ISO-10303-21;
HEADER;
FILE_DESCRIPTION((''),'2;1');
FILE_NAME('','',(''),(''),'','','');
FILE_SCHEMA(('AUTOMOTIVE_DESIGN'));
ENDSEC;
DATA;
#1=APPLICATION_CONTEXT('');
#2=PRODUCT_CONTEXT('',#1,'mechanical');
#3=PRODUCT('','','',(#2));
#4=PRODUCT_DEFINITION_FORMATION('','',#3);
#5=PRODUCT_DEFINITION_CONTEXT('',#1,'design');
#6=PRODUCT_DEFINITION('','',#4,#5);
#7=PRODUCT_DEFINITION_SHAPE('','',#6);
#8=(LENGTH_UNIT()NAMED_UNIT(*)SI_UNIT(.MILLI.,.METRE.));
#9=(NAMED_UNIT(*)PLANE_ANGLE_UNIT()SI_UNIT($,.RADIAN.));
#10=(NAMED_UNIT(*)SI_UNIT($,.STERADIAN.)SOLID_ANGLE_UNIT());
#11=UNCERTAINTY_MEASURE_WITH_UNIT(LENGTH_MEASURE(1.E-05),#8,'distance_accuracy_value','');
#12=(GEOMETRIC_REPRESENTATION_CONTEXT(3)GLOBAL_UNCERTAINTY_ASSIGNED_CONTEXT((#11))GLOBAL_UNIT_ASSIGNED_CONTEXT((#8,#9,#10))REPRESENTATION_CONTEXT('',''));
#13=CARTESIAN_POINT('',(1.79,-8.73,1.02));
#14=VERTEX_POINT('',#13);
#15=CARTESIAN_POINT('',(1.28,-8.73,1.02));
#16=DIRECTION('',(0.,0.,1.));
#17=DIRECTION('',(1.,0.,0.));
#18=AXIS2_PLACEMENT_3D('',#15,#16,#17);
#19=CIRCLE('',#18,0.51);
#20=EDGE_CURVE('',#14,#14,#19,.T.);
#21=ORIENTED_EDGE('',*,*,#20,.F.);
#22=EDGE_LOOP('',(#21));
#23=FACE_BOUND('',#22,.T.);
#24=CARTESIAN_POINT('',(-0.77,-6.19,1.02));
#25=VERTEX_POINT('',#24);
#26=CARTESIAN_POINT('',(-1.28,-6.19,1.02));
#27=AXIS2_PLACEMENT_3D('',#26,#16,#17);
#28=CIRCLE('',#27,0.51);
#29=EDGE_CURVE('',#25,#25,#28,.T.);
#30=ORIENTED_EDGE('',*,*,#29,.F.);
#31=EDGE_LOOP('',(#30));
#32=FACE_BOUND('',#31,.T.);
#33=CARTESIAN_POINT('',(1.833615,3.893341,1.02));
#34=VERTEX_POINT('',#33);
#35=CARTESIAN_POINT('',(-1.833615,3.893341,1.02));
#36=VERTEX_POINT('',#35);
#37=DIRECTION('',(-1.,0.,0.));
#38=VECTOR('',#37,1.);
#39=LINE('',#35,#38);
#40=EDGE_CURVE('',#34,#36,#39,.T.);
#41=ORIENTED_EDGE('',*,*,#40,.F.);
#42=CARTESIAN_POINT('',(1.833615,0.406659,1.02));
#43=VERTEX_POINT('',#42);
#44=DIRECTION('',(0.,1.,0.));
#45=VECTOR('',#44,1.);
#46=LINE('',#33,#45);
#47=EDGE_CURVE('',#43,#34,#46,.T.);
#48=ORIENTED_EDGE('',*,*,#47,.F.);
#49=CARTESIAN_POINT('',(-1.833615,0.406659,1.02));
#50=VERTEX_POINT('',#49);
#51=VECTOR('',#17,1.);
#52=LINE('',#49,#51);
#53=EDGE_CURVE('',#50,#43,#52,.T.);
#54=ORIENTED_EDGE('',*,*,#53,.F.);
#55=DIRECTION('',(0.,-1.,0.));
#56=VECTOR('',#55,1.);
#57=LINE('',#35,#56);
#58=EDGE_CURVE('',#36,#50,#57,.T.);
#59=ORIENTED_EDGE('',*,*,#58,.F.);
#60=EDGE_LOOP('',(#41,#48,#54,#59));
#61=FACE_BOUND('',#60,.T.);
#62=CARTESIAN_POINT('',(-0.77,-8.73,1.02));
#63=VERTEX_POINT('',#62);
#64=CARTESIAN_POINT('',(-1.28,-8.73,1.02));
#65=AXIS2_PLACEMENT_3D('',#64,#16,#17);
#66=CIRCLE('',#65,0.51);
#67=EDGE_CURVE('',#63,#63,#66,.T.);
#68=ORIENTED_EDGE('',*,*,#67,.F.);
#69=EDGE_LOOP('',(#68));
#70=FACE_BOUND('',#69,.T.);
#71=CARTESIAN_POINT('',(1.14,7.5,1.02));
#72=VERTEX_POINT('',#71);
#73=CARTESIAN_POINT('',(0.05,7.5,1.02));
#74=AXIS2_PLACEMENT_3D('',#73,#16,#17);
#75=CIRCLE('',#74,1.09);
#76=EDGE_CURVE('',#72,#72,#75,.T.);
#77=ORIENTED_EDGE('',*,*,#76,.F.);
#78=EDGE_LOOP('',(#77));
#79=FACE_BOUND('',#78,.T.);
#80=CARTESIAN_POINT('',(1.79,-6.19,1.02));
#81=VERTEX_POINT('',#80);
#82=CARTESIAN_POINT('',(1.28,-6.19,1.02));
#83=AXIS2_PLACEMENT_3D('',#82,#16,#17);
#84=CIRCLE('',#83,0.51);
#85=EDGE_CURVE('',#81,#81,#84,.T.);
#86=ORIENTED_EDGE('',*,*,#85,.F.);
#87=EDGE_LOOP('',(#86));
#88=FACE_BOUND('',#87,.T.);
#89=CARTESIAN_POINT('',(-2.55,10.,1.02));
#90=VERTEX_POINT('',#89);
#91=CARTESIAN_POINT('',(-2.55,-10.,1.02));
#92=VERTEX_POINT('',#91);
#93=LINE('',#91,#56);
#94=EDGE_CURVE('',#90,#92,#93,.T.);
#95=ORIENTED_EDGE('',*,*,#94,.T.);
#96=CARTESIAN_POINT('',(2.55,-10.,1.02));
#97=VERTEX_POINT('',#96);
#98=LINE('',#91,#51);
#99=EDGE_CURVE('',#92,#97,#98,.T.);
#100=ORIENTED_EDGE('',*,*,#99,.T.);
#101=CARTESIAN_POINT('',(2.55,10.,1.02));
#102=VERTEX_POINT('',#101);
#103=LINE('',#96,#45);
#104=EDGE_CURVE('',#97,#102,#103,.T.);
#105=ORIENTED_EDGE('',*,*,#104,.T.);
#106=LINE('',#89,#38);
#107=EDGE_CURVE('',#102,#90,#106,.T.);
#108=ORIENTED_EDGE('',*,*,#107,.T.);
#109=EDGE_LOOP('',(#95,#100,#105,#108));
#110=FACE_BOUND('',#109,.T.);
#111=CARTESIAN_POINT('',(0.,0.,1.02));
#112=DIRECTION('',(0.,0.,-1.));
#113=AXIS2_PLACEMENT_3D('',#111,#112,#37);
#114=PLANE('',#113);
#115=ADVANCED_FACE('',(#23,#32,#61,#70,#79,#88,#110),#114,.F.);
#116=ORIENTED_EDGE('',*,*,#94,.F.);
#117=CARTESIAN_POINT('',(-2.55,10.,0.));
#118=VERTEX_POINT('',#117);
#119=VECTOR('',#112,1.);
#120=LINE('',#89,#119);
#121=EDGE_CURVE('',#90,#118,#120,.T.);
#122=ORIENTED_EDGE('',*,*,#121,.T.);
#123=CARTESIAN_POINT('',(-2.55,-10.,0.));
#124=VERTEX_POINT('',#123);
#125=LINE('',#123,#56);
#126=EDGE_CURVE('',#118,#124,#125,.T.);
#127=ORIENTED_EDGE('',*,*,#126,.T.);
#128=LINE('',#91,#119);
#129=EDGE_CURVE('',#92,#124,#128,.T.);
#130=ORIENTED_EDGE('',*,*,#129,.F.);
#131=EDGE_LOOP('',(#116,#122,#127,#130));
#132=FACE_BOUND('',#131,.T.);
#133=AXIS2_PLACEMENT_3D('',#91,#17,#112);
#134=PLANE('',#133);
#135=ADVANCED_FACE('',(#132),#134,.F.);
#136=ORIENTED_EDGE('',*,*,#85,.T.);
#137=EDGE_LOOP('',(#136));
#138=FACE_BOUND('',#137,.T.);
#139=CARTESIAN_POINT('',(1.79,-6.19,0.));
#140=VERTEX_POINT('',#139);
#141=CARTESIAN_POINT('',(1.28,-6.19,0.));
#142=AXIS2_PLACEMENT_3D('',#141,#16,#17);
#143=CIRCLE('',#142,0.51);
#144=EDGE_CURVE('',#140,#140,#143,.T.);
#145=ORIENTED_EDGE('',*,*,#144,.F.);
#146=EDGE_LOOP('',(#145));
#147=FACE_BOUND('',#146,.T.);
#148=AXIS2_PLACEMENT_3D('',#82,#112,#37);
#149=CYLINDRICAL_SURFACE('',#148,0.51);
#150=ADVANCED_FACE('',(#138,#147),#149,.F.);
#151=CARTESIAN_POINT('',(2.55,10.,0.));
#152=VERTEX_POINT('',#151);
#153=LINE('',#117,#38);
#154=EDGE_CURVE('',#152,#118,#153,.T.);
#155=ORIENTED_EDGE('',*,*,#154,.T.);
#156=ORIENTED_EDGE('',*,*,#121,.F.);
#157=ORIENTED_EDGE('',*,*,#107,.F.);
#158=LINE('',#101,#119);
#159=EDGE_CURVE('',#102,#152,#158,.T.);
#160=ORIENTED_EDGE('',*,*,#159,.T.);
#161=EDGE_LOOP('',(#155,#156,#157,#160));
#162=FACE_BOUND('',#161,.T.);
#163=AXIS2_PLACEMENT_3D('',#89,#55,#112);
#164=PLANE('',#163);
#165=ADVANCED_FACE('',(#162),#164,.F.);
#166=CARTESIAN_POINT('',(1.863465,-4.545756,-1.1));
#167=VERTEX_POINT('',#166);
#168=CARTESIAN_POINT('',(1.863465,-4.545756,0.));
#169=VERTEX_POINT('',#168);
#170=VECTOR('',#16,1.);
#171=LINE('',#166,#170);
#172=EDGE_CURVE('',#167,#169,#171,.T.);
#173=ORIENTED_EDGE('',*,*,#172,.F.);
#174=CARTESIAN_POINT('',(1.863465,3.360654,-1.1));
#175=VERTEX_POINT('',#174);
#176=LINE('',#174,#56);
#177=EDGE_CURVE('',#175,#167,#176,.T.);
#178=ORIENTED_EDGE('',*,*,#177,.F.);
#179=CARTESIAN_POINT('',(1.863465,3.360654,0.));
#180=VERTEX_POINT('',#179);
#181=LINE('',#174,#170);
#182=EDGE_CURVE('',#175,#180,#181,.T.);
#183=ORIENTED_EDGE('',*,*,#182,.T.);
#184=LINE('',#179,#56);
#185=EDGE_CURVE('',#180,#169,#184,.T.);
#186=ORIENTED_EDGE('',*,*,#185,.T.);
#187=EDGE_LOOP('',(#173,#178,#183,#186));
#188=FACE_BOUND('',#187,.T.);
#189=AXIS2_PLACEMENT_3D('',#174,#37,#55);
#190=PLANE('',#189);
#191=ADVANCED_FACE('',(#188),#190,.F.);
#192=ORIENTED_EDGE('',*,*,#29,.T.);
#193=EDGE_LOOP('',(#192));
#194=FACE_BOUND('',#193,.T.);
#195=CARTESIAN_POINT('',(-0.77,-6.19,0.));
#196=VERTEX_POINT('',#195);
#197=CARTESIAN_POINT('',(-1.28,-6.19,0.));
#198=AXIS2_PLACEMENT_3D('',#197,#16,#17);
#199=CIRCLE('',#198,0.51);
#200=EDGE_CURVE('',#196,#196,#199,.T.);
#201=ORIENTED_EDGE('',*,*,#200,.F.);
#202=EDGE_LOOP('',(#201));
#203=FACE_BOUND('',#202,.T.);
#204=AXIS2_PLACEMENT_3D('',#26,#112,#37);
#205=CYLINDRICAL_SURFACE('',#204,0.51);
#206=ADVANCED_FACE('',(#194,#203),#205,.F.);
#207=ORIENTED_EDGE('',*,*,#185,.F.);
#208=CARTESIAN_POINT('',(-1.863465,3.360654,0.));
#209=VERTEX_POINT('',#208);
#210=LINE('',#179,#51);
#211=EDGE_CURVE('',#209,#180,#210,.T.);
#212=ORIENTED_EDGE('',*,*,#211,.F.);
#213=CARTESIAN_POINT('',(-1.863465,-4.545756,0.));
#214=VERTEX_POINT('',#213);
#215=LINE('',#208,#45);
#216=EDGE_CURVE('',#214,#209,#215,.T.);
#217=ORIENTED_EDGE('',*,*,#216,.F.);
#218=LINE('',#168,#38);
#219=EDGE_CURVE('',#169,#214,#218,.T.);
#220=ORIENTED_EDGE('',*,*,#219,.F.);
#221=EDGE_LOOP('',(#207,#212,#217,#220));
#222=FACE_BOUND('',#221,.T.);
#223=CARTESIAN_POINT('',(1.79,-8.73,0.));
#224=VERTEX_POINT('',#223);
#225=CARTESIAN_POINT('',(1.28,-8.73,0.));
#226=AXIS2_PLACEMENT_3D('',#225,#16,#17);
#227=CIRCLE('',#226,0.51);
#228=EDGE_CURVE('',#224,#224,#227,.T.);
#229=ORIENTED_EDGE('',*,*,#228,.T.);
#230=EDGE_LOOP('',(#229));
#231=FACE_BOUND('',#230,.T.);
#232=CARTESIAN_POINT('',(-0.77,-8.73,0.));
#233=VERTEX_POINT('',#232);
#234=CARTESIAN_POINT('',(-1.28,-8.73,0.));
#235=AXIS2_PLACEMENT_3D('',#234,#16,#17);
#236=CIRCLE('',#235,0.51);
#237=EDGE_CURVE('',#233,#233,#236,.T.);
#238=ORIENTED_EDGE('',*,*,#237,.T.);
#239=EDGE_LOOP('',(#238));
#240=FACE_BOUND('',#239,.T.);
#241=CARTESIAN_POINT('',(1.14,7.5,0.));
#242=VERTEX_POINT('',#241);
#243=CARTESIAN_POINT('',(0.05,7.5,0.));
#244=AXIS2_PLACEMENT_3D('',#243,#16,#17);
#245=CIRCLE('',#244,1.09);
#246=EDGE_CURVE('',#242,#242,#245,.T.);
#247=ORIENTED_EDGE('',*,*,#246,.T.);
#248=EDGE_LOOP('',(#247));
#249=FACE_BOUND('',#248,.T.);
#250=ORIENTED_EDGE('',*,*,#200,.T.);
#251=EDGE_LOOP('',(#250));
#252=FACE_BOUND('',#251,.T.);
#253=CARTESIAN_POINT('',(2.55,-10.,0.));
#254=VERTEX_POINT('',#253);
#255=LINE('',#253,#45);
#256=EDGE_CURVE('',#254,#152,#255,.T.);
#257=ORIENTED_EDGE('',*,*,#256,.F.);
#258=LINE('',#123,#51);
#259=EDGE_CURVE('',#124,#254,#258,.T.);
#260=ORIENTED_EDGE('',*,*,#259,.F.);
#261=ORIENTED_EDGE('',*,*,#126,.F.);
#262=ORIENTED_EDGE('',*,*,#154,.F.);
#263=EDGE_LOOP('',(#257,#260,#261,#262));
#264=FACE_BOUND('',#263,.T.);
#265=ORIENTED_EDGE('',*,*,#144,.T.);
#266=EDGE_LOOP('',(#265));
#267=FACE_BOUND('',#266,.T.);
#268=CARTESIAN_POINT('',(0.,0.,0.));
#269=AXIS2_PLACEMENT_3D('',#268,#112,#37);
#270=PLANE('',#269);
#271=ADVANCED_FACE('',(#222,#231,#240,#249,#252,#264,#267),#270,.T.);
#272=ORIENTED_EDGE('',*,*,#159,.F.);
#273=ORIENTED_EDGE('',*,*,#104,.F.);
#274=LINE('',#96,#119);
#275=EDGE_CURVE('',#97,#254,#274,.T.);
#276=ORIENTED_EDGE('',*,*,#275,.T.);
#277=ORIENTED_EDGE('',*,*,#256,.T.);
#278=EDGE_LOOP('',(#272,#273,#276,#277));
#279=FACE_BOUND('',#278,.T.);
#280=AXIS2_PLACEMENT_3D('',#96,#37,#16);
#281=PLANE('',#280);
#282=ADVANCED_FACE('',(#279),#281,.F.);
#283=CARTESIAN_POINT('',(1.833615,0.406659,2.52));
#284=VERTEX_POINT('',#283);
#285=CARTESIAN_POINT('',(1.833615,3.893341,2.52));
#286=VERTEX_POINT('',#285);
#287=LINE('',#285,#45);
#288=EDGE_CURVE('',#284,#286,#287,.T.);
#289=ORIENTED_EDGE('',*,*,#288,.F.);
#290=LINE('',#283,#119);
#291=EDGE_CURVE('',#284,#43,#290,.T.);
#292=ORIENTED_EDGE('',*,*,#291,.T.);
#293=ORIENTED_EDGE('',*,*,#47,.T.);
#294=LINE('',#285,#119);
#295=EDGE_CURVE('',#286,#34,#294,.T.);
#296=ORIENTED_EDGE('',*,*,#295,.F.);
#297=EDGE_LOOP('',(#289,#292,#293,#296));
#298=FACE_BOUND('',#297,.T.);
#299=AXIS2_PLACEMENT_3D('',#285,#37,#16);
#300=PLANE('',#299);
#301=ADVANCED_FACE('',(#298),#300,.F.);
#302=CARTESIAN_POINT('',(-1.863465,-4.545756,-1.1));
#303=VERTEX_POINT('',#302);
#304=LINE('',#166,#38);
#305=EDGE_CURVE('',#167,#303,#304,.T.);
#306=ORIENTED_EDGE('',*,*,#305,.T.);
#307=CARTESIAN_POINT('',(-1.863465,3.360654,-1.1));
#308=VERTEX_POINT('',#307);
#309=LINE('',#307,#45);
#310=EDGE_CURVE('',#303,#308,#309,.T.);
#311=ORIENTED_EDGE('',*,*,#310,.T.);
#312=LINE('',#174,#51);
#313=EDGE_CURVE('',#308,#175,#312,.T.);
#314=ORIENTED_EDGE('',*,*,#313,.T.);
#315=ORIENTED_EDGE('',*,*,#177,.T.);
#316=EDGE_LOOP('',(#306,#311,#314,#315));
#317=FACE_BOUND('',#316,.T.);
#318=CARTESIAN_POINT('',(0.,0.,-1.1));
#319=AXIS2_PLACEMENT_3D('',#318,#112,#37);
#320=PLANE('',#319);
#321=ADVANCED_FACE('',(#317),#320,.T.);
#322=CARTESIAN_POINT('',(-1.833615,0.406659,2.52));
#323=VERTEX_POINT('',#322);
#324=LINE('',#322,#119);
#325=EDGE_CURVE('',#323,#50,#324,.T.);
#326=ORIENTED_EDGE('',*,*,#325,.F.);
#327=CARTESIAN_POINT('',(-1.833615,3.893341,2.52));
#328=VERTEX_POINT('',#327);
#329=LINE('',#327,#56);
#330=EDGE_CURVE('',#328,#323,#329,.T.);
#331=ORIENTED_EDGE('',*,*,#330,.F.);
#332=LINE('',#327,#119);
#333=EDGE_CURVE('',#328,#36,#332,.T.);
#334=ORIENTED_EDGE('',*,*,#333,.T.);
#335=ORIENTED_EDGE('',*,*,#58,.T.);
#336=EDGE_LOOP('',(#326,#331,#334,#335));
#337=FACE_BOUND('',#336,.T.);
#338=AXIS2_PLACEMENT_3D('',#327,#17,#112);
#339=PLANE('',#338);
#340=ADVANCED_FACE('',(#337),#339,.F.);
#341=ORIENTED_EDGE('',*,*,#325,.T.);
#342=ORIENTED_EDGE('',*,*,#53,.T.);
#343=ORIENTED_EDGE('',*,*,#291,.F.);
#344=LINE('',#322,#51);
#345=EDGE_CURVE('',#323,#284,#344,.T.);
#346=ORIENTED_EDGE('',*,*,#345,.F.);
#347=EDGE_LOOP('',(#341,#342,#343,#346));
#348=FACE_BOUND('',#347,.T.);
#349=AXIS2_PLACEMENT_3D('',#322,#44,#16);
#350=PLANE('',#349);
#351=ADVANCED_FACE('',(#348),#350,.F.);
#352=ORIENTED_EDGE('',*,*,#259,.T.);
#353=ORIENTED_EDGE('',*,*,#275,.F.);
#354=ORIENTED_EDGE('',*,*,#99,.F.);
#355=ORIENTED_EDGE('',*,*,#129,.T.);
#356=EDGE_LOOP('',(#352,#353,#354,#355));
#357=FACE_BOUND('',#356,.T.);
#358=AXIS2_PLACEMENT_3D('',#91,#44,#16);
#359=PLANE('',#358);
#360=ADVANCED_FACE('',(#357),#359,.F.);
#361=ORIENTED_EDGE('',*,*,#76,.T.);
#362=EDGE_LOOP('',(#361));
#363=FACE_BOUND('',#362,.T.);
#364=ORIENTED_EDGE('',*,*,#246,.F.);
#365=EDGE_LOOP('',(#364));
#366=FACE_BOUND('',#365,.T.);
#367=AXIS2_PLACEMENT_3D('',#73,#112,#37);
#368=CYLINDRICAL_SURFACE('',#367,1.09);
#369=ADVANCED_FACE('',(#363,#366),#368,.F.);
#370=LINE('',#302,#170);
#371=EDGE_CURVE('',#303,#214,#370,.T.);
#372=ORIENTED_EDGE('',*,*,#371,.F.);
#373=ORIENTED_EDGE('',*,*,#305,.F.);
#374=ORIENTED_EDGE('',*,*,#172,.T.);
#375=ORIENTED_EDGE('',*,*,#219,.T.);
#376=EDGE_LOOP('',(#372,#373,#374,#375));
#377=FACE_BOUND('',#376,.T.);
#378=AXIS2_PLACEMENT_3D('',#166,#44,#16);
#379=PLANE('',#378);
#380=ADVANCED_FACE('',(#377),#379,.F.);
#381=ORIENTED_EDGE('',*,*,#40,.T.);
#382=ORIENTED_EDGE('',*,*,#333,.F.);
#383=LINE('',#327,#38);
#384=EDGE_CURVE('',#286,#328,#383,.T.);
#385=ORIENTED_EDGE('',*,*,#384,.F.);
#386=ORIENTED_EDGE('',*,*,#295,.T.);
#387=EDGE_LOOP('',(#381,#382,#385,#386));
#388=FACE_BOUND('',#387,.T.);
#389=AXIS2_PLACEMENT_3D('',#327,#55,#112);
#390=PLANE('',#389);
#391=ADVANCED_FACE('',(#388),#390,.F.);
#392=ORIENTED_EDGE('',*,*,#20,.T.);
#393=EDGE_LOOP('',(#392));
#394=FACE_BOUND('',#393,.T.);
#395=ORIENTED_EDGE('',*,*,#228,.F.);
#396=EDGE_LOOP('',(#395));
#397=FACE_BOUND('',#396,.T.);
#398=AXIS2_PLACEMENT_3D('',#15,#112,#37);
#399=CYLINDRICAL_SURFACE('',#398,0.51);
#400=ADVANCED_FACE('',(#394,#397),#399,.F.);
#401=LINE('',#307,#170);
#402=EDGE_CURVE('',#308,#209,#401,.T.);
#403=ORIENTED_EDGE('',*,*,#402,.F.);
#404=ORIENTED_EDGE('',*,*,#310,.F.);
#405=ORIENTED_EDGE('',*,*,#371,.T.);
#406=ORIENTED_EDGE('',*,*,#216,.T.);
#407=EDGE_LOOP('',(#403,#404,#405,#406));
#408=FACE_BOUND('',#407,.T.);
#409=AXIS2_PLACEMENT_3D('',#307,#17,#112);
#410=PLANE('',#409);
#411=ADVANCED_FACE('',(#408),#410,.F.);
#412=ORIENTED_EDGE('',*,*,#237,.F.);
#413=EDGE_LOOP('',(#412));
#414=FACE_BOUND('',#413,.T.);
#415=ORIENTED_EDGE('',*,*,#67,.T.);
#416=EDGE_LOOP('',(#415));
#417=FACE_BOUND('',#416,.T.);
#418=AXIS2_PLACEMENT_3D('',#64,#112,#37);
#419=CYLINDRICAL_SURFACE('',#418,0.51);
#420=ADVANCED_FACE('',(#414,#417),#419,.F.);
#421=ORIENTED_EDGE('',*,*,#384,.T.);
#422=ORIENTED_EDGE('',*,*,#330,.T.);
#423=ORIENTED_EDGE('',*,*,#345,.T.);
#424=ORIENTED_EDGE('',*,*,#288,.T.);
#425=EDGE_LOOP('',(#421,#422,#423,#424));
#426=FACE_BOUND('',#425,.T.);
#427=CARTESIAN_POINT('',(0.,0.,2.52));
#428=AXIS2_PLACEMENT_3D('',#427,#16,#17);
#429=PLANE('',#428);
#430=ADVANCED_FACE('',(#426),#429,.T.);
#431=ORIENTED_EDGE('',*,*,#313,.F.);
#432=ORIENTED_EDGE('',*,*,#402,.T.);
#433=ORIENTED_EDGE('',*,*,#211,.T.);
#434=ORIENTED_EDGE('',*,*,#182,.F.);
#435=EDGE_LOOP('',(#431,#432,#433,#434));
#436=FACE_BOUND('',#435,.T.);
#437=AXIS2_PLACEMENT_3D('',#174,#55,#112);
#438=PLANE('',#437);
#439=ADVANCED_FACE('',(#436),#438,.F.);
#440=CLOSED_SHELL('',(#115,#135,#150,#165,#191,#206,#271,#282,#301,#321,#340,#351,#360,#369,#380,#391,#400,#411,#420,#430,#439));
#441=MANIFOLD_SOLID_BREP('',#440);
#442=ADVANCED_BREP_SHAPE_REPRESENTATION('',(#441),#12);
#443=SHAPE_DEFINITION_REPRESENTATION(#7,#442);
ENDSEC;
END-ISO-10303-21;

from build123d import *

# Parameters (mm, degrees)
SKETCH1_W           = 5.1
SKETCH1_H           = 20
SKETCH1_R           = 1.09
SKETCH1_R_2         = 0.51
BOSS_EXTRUDE1_DEPTH = 1.02
SKETCH2_W           = 3.667230494
SKETCH2_H           = 3.486682144
BOSS_EXTRUDE2_DEPTH = 1.5
SKETCH3_W           = 3.726930802
SKETCH3_H           = 7.906409835
BOSS_EXTRUDE3_DEPTH = 1.1


with BuildPart() as part:
    # Sketch1 → Boss-Extrude1 (new body)
    with BuildSketch(Plane.XY):
        Rectangle(SKETCH1_W, SKETCH1_H)
        with Locations((0.05, 7.5)):
            Circle(SKETCH1_R, mode=Mode.SUBTRACT)
        with Locations((-1.28, -6.19)):
            Circle(SKETCH1_R_2, mode=Mode.SUBTRACT)
        with Locations((1.28, -6.19)):
            Circle(SKETCH1_R_2, mode=Mode.SUBTRACT)
        with Locations((1.28, -8.73)):
            Circle(SKETCH1_R_2, mode=Mode.SUBTRACT)
        with Locations((-1.28, -8.73)):
            Circle(SKETCH1_R_2, mode=Mode.SUBTRACT)
    extrude(amount=BOSS_EXTRUDE1_DEPTH)

    # Sketch2 → Boss-Extrude2 (add)
    with BuildSketch(Plane.XY.offset(1.02)):
        with Locations((0, 2.15)):
            Rectangle(SKETCH2_W, SKETCH2_H)
    extrude(amount=BOSS_EXTRUDE2_DEPTH)

    # Sketch3 → Boss-Extrude3 (add)
    with BuildSketch(Plane(origin=(0, 0, 0), x_dir=(-1, 0, 0), z_dir=(0, 0, -1))):
        with Locations((0, -0.592550596)):
            Rectangle(SKETCH3_W, SKETCH3_H)
    extrude(amount=BOSS_EXTRUDE3_DEPTH)


solid = part.part
